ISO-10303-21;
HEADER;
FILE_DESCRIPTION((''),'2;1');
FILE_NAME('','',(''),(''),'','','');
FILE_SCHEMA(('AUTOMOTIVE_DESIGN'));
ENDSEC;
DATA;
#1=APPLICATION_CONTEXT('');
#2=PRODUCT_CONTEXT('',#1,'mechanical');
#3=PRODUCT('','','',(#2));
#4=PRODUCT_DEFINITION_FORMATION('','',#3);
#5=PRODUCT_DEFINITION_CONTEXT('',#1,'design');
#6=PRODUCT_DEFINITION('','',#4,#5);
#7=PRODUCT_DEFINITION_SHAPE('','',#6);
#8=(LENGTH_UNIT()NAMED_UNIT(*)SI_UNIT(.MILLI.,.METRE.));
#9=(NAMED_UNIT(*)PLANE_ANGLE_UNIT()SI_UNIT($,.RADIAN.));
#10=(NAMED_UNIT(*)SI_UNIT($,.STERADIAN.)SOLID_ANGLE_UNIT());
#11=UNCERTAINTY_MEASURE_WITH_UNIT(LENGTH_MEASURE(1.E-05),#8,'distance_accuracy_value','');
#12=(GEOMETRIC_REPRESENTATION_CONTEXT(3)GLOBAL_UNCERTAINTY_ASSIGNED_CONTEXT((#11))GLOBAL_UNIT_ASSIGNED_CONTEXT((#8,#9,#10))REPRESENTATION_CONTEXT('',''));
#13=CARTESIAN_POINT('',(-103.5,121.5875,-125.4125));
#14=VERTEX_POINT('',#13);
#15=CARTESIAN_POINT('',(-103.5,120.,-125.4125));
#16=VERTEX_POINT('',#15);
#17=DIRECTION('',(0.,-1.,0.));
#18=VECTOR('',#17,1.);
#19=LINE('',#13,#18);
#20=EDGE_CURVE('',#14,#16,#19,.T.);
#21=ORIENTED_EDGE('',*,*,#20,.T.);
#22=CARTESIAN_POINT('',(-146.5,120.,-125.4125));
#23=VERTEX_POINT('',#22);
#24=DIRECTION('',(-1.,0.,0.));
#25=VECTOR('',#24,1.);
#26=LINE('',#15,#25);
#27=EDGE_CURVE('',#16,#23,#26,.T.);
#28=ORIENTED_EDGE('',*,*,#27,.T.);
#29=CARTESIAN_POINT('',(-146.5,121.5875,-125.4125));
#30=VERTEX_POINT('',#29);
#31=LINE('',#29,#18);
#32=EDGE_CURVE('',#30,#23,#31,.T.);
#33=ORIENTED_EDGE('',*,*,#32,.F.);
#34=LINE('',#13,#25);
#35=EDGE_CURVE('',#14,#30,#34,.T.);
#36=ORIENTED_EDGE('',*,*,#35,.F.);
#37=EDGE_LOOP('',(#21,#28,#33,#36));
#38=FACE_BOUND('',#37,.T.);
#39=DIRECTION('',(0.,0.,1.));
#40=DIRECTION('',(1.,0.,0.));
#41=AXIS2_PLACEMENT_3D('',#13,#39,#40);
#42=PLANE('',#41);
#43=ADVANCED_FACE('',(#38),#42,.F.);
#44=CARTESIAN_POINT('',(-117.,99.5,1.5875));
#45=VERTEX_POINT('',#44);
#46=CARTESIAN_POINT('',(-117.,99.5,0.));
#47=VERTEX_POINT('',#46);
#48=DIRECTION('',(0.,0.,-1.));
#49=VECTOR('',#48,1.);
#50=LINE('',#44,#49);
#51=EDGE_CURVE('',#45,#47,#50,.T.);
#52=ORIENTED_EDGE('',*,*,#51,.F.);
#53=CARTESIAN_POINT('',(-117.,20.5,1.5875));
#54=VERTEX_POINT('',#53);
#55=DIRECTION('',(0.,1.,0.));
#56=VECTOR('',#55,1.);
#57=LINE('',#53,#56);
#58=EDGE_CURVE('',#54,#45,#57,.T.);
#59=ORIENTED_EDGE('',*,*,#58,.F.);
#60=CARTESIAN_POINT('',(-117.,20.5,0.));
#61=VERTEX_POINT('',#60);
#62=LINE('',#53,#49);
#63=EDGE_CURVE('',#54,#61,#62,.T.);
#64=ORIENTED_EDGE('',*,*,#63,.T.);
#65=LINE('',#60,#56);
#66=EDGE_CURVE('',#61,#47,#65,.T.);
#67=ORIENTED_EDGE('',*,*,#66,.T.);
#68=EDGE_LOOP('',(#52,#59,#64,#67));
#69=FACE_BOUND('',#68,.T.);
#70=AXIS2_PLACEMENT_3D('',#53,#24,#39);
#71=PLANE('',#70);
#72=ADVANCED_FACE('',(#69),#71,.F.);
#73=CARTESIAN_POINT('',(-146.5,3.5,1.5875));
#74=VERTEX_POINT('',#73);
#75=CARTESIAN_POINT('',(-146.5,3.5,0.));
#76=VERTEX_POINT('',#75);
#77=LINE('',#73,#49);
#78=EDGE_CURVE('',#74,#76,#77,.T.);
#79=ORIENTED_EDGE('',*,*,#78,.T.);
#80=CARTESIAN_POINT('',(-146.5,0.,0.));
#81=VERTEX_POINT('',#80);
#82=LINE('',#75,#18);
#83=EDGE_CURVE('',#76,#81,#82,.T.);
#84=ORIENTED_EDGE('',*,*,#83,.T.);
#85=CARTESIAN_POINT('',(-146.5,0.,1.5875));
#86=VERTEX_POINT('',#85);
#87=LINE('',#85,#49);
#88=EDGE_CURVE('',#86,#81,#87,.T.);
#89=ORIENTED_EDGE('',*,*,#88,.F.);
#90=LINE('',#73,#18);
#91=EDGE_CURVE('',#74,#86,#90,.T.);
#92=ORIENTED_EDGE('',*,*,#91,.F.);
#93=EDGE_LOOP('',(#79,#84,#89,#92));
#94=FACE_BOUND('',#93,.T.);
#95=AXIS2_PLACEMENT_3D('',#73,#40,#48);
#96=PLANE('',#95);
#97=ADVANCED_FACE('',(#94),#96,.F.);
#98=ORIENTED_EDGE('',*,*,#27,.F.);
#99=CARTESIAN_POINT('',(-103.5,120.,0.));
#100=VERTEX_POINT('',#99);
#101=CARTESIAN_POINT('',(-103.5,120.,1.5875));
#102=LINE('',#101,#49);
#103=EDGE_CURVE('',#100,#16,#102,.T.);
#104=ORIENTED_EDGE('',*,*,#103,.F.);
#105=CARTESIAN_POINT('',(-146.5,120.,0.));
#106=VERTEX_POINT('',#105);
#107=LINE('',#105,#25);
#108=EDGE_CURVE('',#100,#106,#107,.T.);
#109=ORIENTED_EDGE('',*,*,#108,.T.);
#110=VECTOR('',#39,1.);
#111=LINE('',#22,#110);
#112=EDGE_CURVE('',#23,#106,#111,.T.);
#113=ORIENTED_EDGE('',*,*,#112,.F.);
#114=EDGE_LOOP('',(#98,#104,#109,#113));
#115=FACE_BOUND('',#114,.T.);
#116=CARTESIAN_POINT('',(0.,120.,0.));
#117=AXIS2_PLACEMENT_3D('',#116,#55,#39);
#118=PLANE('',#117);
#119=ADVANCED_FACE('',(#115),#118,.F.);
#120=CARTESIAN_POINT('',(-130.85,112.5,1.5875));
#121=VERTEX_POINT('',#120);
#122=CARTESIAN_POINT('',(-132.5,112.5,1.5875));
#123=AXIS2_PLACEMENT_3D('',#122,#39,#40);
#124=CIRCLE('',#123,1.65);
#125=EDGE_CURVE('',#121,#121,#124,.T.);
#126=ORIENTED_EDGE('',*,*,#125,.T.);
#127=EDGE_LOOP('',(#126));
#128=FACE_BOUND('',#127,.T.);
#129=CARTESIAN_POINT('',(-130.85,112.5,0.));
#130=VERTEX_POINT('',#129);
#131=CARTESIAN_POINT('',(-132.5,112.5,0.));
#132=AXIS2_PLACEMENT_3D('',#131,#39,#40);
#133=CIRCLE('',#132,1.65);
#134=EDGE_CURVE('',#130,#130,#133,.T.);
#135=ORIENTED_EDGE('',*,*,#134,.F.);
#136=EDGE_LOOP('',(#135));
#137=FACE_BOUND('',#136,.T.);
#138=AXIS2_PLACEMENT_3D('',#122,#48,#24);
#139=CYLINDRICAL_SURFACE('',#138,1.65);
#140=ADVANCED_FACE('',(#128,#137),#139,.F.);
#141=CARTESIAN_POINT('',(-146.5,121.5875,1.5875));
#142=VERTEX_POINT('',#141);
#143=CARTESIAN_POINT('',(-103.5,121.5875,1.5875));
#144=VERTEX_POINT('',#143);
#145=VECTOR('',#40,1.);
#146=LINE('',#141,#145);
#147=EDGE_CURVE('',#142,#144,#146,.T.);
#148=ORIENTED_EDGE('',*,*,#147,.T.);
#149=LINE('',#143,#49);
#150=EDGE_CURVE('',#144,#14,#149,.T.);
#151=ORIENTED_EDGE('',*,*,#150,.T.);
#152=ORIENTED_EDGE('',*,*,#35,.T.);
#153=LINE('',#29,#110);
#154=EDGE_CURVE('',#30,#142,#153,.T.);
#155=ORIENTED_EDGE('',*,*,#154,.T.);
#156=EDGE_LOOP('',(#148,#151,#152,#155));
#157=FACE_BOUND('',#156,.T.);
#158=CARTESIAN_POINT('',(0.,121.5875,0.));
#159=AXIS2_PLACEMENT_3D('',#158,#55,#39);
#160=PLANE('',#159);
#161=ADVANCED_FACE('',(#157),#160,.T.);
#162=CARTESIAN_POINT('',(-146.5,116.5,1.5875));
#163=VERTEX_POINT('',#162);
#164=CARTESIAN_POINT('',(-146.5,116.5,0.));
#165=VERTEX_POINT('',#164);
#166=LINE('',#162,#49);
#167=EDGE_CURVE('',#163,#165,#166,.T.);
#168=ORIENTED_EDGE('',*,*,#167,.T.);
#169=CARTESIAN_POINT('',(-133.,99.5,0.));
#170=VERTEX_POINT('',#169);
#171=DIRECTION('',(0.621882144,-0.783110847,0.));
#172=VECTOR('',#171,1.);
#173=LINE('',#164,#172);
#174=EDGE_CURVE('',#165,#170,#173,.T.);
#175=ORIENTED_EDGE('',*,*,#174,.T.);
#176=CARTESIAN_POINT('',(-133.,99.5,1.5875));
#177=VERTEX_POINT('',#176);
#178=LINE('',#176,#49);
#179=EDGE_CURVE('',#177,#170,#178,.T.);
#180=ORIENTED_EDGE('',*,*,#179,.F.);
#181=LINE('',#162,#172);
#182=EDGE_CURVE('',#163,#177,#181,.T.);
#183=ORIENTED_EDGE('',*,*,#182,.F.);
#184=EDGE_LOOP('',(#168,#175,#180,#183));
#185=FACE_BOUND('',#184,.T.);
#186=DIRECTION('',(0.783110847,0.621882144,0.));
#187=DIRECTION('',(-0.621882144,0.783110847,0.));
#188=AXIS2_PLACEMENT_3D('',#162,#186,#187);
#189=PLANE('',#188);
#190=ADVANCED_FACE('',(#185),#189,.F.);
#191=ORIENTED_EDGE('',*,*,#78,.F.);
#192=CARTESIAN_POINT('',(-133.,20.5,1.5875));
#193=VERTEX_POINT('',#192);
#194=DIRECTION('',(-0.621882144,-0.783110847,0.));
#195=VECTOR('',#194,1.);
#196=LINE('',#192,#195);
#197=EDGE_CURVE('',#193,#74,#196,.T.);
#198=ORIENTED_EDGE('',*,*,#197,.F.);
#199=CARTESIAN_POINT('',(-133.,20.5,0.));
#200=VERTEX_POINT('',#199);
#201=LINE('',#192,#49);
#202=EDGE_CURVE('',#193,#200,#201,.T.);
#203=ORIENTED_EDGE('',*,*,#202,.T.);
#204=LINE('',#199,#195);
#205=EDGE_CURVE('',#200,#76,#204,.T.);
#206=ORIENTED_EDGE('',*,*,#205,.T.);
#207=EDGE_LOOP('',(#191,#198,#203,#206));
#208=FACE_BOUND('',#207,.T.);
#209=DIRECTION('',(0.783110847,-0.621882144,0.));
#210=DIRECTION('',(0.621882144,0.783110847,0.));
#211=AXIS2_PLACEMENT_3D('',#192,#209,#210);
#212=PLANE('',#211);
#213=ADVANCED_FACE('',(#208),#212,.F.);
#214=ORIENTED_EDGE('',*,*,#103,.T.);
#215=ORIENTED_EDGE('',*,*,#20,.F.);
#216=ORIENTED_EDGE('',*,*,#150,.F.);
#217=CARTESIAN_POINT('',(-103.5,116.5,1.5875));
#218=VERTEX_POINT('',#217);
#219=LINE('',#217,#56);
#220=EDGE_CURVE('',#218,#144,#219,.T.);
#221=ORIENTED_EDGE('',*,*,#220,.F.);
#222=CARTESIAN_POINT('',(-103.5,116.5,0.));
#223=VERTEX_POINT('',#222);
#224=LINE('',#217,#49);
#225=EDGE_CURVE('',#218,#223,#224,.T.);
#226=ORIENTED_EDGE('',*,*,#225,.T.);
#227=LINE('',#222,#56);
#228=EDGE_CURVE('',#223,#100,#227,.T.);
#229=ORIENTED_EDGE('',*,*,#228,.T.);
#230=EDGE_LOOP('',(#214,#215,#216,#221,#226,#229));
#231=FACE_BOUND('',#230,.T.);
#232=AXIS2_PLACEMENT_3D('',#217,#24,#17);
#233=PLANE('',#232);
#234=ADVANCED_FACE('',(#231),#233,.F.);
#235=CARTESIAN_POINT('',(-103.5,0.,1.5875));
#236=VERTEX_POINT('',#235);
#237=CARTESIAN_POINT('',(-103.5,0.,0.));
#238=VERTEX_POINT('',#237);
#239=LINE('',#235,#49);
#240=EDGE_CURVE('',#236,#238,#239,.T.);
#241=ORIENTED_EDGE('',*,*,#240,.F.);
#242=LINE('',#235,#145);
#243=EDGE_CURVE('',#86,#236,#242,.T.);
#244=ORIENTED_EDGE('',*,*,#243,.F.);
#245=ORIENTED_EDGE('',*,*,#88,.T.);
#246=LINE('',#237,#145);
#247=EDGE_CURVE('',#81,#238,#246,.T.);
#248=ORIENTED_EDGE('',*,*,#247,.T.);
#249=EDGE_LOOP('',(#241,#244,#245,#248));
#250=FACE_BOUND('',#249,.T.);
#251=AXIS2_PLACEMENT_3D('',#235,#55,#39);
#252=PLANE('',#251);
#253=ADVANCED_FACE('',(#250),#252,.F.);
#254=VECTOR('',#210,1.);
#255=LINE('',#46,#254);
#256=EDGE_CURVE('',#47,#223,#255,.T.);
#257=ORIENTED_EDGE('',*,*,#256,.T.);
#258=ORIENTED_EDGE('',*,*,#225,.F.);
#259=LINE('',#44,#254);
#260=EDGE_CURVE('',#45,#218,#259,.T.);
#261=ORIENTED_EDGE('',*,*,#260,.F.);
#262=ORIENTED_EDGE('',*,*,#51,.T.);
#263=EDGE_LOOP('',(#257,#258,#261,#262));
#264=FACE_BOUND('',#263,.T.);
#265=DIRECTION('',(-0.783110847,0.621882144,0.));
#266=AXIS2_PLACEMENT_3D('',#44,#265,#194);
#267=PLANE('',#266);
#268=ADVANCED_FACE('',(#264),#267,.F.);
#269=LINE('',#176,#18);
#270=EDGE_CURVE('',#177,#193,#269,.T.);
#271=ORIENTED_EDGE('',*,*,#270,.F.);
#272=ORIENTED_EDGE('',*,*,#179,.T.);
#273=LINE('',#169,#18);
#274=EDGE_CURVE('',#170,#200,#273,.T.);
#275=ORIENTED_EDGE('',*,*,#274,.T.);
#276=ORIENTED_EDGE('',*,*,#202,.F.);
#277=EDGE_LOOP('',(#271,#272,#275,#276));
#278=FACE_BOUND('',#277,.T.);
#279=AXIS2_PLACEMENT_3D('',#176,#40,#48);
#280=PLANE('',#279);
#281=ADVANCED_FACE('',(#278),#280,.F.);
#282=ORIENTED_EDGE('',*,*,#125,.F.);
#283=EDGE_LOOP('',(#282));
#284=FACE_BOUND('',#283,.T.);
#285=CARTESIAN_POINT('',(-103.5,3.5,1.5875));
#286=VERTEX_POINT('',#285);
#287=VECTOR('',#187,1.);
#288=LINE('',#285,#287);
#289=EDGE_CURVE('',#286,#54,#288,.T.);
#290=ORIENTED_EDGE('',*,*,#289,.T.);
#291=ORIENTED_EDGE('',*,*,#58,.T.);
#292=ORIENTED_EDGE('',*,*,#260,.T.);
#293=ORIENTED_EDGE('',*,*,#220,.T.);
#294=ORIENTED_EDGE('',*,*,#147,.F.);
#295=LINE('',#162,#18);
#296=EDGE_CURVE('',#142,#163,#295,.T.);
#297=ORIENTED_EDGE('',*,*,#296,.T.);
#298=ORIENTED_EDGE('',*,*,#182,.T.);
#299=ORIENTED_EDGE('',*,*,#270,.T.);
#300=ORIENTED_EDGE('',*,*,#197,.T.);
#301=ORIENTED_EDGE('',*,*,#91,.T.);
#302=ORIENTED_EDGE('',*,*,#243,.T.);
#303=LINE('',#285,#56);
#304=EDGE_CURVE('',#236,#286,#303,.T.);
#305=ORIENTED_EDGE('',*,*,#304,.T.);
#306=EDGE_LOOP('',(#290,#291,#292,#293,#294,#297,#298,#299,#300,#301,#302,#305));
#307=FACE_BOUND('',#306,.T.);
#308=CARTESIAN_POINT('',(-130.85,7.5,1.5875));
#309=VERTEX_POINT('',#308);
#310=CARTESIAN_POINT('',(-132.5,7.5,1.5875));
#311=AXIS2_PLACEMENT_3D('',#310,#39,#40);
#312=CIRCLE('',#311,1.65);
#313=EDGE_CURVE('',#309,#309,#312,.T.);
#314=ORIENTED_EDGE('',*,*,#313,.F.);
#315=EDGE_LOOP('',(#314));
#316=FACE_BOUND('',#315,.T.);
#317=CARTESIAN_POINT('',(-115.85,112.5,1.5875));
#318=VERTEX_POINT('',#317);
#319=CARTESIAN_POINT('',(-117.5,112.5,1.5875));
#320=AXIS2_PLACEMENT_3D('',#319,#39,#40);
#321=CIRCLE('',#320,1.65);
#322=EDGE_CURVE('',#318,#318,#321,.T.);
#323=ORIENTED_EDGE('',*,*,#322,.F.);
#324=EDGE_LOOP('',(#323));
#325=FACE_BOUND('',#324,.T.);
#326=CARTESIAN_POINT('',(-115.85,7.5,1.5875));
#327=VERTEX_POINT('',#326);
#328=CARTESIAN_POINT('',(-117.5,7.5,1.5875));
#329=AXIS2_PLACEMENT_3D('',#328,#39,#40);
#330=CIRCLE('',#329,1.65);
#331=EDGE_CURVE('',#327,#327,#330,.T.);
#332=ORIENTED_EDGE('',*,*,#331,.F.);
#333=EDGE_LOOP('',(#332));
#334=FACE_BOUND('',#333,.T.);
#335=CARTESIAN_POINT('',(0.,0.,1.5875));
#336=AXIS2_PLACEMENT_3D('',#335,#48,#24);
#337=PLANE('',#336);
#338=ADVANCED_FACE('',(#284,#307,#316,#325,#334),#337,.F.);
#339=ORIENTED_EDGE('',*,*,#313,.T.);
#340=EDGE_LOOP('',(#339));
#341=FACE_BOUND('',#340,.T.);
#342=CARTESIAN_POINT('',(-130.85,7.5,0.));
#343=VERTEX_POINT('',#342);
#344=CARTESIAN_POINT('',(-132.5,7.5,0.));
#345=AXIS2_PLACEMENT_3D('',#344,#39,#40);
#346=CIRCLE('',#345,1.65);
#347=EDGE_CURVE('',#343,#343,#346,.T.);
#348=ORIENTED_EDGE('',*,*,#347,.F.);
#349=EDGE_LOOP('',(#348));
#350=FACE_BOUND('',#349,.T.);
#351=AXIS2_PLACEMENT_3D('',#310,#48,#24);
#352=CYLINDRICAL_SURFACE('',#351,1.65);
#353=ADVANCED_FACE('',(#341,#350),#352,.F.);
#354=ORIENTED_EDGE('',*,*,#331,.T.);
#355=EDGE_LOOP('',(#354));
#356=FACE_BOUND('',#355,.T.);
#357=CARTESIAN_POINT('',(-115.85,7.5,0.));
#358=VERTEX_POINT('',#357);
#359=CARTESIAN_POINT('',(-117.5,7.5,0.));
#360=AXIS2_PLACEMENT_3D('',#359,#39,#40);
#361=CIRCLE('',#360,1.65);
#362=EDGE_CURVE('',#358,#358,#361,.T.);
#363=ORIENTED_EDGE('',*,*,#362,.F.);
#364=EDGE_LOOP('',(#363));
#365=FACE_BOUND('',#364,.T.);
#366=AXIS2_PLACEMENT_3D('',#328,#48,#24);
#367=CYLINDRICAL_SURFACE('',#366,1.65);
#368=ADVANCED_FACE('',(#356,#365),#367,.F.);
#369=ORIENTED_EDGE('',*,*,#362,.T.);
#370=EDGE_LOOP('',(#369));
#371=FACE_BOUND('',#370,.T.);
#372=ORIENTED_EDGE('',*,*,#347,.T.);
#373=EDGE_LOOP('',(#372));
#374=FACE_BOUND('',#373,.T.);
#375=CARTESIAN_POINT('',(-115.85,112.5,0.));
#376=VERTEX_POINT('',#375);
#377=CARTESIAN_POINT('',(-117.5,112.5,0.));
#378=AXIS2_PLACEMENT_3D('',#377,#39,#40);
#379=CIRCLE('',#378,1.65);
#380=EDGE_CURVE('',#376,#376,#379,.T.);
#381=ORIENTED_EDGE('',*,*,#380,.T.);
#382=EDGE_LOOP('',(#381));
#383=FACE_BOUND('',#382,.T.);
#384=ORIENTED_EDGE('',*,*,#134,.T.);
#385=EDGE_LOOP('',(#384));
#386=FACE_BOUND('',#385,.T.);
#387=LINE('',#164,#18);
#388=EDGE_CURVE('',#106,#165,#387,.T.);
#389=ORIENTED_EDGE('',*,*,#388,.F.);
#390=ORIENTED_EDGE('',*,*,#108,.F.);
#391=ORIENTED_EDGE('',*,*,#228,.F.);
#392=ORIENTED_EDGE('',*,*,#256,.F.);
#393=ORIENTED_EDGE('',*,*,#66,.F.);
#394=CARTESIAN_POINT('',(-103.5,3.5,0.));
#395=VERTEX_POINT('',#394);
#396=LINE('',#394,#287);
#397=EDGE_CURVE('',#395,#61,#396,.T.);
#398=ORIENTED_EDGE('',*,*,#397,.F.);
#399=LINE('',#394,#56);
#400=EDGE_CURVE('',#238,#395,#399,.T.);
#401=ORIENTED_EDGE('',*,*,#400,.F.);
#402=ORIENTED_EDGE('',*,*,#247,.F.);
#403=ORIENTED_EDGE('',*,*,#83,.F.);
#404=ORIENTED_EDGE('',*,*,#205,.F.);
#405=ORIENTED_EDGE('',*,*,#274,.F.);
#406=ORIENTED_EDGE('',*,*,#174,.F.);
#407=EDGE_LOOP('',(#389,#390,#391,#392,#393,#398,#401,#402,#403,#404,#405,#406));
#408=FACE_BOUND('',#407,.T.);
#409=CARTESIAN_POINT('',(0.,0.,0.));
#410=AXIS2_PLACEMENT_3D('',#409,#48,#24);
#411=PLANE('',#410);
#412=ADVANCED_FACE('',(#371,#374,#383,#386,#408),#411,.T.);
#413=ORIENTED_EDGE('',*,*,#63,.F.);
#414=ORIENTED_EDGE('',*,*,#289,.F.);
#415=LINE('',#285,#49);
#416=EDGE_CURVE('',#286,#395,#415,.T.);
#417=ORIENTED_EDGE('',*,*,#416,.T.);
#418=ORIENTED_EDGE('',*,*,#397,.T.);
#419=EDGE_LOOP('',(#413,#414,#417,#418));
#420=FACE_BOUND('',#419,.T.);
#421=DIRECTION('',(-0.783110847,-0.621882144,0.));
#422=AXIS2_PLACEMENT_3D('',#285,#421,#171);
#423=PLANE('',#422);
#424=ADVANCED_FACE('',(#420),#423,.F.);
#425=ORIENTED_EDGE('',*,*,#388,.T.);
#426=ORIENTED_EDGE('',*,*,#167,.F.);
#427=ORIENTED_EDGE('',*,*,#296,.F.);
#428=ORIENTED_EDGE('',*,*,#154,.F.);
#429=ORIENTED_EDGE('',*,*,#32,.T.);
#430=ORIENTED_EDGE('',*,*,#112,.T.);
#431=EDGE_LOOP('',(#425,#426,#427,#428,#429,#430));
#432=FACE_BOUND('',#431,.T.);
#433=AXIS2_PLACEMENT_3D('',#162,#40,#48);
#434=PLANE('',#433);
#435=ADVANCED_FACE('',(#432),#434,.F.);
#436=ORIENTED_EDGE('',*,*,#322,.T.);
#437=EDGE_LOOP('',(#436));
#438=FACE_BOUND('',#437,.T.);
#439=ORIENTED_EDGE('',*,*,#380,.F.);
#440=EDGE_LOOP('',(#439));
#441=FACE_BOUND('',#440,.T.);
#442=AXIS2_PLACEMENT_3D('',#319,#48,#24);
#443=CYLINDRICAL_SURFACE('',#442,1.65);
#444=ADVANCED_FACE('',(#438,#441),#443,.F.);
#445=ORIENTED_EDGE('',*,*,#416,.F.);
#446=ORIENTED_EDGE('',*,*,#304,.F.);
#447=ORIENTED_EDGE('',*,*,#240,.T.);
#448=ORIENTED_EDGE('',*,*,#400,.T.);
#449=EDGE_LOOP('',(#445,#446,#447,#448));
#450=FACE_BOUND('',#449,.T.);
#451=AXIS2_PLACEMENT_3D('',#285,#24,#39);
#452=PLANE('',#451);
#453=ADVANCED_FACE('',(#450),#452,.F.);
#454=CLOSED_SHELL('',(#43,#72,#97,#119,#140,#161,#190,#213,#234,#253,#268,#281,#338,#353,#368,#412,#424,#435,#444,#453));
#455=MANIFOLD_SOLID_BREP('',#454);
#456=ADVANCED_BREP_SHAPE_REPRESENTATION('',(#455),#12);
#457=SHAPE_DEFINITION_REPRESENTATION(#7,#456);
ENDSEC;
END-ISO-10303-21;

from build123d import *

# Parameters (mm, degrees)
BOSS_EXTRUDE1_DEPTH = 1.5875
SKETCH2_W           = 43
SKETCH2_H           = 127
BOSS_EXTRUDE2_DEPTH = 1.5875


with BuildPart() as part:
    # Sketch1 → Boss-Extrude1 (new body)
    with BuildSketch(Plane.XY):
        Polygon((-117, 99.5), (-103.5, 116.5), (-103.5, 120), (-146.5, 120), (-146.5, 116.5), (-133, 99.5), (-133, 20.5), (-146.5, 3.5), (-146.5, 0), (-103.5, 0), (-103.5, 3.5), (-117, 20.5), align=None)
        with BuildLine():
            ThreePointArc((-134.15, 112.5), (-132.5, 110.85), (-130.85, 112.5))
            ThreePointArc((-130.85, 112.5), (-132.5, 114.15), (-134.15, 112.5))
        make_face(mode=Mode.SUBTRACT)
        with BuildLine():
            ThreePointArc((-119.15, 112.5), (-117.5, 110.85), (-115.85, 112.5))
            ThreePointArc((-115.85, 112.5), (-117.5, 114.15), (-119.15, 112.5))
        make_face(mode=Mode.SUBTRACT)
        with BuildLine():
            ThreePointArc((-115.85, 7.5), (-117.5, 9.15), (-119.15, 7.5))
            ThreePointArc((-119.15, 7.5), (-117.5, 5.85), (-115.85, 7.5))
        make_face(mode=Mode.SUBTRACT)
        with BuildLine():
            ThreePointArc((-134.15, 7.5), (-132.5, 5.85), (-130.85, 7.5))
            ThreePointArc((-130.85, 7.5), (-132.5, 9.15), (-134.15, 7.5))
        make_face(mode=Mode.SUBTRACT)
    extrude(amount=BOSS_EXTRUDE1_DEPTH)

    # Sketch2 → Boss-Extrude2 (add)
    with BuildSketch(Plane(origin=(0, 120, 0), x_dir=(1, 0, 0), z_dir=(0, 1, 0))):
        with Locations((-125, 61.9125)):
            Rectangle(SKETCH2_W, SKETCH2_H)
    extrude(amount=BOSS_EXTRUDE2_DEPTH)


solid = part.part
